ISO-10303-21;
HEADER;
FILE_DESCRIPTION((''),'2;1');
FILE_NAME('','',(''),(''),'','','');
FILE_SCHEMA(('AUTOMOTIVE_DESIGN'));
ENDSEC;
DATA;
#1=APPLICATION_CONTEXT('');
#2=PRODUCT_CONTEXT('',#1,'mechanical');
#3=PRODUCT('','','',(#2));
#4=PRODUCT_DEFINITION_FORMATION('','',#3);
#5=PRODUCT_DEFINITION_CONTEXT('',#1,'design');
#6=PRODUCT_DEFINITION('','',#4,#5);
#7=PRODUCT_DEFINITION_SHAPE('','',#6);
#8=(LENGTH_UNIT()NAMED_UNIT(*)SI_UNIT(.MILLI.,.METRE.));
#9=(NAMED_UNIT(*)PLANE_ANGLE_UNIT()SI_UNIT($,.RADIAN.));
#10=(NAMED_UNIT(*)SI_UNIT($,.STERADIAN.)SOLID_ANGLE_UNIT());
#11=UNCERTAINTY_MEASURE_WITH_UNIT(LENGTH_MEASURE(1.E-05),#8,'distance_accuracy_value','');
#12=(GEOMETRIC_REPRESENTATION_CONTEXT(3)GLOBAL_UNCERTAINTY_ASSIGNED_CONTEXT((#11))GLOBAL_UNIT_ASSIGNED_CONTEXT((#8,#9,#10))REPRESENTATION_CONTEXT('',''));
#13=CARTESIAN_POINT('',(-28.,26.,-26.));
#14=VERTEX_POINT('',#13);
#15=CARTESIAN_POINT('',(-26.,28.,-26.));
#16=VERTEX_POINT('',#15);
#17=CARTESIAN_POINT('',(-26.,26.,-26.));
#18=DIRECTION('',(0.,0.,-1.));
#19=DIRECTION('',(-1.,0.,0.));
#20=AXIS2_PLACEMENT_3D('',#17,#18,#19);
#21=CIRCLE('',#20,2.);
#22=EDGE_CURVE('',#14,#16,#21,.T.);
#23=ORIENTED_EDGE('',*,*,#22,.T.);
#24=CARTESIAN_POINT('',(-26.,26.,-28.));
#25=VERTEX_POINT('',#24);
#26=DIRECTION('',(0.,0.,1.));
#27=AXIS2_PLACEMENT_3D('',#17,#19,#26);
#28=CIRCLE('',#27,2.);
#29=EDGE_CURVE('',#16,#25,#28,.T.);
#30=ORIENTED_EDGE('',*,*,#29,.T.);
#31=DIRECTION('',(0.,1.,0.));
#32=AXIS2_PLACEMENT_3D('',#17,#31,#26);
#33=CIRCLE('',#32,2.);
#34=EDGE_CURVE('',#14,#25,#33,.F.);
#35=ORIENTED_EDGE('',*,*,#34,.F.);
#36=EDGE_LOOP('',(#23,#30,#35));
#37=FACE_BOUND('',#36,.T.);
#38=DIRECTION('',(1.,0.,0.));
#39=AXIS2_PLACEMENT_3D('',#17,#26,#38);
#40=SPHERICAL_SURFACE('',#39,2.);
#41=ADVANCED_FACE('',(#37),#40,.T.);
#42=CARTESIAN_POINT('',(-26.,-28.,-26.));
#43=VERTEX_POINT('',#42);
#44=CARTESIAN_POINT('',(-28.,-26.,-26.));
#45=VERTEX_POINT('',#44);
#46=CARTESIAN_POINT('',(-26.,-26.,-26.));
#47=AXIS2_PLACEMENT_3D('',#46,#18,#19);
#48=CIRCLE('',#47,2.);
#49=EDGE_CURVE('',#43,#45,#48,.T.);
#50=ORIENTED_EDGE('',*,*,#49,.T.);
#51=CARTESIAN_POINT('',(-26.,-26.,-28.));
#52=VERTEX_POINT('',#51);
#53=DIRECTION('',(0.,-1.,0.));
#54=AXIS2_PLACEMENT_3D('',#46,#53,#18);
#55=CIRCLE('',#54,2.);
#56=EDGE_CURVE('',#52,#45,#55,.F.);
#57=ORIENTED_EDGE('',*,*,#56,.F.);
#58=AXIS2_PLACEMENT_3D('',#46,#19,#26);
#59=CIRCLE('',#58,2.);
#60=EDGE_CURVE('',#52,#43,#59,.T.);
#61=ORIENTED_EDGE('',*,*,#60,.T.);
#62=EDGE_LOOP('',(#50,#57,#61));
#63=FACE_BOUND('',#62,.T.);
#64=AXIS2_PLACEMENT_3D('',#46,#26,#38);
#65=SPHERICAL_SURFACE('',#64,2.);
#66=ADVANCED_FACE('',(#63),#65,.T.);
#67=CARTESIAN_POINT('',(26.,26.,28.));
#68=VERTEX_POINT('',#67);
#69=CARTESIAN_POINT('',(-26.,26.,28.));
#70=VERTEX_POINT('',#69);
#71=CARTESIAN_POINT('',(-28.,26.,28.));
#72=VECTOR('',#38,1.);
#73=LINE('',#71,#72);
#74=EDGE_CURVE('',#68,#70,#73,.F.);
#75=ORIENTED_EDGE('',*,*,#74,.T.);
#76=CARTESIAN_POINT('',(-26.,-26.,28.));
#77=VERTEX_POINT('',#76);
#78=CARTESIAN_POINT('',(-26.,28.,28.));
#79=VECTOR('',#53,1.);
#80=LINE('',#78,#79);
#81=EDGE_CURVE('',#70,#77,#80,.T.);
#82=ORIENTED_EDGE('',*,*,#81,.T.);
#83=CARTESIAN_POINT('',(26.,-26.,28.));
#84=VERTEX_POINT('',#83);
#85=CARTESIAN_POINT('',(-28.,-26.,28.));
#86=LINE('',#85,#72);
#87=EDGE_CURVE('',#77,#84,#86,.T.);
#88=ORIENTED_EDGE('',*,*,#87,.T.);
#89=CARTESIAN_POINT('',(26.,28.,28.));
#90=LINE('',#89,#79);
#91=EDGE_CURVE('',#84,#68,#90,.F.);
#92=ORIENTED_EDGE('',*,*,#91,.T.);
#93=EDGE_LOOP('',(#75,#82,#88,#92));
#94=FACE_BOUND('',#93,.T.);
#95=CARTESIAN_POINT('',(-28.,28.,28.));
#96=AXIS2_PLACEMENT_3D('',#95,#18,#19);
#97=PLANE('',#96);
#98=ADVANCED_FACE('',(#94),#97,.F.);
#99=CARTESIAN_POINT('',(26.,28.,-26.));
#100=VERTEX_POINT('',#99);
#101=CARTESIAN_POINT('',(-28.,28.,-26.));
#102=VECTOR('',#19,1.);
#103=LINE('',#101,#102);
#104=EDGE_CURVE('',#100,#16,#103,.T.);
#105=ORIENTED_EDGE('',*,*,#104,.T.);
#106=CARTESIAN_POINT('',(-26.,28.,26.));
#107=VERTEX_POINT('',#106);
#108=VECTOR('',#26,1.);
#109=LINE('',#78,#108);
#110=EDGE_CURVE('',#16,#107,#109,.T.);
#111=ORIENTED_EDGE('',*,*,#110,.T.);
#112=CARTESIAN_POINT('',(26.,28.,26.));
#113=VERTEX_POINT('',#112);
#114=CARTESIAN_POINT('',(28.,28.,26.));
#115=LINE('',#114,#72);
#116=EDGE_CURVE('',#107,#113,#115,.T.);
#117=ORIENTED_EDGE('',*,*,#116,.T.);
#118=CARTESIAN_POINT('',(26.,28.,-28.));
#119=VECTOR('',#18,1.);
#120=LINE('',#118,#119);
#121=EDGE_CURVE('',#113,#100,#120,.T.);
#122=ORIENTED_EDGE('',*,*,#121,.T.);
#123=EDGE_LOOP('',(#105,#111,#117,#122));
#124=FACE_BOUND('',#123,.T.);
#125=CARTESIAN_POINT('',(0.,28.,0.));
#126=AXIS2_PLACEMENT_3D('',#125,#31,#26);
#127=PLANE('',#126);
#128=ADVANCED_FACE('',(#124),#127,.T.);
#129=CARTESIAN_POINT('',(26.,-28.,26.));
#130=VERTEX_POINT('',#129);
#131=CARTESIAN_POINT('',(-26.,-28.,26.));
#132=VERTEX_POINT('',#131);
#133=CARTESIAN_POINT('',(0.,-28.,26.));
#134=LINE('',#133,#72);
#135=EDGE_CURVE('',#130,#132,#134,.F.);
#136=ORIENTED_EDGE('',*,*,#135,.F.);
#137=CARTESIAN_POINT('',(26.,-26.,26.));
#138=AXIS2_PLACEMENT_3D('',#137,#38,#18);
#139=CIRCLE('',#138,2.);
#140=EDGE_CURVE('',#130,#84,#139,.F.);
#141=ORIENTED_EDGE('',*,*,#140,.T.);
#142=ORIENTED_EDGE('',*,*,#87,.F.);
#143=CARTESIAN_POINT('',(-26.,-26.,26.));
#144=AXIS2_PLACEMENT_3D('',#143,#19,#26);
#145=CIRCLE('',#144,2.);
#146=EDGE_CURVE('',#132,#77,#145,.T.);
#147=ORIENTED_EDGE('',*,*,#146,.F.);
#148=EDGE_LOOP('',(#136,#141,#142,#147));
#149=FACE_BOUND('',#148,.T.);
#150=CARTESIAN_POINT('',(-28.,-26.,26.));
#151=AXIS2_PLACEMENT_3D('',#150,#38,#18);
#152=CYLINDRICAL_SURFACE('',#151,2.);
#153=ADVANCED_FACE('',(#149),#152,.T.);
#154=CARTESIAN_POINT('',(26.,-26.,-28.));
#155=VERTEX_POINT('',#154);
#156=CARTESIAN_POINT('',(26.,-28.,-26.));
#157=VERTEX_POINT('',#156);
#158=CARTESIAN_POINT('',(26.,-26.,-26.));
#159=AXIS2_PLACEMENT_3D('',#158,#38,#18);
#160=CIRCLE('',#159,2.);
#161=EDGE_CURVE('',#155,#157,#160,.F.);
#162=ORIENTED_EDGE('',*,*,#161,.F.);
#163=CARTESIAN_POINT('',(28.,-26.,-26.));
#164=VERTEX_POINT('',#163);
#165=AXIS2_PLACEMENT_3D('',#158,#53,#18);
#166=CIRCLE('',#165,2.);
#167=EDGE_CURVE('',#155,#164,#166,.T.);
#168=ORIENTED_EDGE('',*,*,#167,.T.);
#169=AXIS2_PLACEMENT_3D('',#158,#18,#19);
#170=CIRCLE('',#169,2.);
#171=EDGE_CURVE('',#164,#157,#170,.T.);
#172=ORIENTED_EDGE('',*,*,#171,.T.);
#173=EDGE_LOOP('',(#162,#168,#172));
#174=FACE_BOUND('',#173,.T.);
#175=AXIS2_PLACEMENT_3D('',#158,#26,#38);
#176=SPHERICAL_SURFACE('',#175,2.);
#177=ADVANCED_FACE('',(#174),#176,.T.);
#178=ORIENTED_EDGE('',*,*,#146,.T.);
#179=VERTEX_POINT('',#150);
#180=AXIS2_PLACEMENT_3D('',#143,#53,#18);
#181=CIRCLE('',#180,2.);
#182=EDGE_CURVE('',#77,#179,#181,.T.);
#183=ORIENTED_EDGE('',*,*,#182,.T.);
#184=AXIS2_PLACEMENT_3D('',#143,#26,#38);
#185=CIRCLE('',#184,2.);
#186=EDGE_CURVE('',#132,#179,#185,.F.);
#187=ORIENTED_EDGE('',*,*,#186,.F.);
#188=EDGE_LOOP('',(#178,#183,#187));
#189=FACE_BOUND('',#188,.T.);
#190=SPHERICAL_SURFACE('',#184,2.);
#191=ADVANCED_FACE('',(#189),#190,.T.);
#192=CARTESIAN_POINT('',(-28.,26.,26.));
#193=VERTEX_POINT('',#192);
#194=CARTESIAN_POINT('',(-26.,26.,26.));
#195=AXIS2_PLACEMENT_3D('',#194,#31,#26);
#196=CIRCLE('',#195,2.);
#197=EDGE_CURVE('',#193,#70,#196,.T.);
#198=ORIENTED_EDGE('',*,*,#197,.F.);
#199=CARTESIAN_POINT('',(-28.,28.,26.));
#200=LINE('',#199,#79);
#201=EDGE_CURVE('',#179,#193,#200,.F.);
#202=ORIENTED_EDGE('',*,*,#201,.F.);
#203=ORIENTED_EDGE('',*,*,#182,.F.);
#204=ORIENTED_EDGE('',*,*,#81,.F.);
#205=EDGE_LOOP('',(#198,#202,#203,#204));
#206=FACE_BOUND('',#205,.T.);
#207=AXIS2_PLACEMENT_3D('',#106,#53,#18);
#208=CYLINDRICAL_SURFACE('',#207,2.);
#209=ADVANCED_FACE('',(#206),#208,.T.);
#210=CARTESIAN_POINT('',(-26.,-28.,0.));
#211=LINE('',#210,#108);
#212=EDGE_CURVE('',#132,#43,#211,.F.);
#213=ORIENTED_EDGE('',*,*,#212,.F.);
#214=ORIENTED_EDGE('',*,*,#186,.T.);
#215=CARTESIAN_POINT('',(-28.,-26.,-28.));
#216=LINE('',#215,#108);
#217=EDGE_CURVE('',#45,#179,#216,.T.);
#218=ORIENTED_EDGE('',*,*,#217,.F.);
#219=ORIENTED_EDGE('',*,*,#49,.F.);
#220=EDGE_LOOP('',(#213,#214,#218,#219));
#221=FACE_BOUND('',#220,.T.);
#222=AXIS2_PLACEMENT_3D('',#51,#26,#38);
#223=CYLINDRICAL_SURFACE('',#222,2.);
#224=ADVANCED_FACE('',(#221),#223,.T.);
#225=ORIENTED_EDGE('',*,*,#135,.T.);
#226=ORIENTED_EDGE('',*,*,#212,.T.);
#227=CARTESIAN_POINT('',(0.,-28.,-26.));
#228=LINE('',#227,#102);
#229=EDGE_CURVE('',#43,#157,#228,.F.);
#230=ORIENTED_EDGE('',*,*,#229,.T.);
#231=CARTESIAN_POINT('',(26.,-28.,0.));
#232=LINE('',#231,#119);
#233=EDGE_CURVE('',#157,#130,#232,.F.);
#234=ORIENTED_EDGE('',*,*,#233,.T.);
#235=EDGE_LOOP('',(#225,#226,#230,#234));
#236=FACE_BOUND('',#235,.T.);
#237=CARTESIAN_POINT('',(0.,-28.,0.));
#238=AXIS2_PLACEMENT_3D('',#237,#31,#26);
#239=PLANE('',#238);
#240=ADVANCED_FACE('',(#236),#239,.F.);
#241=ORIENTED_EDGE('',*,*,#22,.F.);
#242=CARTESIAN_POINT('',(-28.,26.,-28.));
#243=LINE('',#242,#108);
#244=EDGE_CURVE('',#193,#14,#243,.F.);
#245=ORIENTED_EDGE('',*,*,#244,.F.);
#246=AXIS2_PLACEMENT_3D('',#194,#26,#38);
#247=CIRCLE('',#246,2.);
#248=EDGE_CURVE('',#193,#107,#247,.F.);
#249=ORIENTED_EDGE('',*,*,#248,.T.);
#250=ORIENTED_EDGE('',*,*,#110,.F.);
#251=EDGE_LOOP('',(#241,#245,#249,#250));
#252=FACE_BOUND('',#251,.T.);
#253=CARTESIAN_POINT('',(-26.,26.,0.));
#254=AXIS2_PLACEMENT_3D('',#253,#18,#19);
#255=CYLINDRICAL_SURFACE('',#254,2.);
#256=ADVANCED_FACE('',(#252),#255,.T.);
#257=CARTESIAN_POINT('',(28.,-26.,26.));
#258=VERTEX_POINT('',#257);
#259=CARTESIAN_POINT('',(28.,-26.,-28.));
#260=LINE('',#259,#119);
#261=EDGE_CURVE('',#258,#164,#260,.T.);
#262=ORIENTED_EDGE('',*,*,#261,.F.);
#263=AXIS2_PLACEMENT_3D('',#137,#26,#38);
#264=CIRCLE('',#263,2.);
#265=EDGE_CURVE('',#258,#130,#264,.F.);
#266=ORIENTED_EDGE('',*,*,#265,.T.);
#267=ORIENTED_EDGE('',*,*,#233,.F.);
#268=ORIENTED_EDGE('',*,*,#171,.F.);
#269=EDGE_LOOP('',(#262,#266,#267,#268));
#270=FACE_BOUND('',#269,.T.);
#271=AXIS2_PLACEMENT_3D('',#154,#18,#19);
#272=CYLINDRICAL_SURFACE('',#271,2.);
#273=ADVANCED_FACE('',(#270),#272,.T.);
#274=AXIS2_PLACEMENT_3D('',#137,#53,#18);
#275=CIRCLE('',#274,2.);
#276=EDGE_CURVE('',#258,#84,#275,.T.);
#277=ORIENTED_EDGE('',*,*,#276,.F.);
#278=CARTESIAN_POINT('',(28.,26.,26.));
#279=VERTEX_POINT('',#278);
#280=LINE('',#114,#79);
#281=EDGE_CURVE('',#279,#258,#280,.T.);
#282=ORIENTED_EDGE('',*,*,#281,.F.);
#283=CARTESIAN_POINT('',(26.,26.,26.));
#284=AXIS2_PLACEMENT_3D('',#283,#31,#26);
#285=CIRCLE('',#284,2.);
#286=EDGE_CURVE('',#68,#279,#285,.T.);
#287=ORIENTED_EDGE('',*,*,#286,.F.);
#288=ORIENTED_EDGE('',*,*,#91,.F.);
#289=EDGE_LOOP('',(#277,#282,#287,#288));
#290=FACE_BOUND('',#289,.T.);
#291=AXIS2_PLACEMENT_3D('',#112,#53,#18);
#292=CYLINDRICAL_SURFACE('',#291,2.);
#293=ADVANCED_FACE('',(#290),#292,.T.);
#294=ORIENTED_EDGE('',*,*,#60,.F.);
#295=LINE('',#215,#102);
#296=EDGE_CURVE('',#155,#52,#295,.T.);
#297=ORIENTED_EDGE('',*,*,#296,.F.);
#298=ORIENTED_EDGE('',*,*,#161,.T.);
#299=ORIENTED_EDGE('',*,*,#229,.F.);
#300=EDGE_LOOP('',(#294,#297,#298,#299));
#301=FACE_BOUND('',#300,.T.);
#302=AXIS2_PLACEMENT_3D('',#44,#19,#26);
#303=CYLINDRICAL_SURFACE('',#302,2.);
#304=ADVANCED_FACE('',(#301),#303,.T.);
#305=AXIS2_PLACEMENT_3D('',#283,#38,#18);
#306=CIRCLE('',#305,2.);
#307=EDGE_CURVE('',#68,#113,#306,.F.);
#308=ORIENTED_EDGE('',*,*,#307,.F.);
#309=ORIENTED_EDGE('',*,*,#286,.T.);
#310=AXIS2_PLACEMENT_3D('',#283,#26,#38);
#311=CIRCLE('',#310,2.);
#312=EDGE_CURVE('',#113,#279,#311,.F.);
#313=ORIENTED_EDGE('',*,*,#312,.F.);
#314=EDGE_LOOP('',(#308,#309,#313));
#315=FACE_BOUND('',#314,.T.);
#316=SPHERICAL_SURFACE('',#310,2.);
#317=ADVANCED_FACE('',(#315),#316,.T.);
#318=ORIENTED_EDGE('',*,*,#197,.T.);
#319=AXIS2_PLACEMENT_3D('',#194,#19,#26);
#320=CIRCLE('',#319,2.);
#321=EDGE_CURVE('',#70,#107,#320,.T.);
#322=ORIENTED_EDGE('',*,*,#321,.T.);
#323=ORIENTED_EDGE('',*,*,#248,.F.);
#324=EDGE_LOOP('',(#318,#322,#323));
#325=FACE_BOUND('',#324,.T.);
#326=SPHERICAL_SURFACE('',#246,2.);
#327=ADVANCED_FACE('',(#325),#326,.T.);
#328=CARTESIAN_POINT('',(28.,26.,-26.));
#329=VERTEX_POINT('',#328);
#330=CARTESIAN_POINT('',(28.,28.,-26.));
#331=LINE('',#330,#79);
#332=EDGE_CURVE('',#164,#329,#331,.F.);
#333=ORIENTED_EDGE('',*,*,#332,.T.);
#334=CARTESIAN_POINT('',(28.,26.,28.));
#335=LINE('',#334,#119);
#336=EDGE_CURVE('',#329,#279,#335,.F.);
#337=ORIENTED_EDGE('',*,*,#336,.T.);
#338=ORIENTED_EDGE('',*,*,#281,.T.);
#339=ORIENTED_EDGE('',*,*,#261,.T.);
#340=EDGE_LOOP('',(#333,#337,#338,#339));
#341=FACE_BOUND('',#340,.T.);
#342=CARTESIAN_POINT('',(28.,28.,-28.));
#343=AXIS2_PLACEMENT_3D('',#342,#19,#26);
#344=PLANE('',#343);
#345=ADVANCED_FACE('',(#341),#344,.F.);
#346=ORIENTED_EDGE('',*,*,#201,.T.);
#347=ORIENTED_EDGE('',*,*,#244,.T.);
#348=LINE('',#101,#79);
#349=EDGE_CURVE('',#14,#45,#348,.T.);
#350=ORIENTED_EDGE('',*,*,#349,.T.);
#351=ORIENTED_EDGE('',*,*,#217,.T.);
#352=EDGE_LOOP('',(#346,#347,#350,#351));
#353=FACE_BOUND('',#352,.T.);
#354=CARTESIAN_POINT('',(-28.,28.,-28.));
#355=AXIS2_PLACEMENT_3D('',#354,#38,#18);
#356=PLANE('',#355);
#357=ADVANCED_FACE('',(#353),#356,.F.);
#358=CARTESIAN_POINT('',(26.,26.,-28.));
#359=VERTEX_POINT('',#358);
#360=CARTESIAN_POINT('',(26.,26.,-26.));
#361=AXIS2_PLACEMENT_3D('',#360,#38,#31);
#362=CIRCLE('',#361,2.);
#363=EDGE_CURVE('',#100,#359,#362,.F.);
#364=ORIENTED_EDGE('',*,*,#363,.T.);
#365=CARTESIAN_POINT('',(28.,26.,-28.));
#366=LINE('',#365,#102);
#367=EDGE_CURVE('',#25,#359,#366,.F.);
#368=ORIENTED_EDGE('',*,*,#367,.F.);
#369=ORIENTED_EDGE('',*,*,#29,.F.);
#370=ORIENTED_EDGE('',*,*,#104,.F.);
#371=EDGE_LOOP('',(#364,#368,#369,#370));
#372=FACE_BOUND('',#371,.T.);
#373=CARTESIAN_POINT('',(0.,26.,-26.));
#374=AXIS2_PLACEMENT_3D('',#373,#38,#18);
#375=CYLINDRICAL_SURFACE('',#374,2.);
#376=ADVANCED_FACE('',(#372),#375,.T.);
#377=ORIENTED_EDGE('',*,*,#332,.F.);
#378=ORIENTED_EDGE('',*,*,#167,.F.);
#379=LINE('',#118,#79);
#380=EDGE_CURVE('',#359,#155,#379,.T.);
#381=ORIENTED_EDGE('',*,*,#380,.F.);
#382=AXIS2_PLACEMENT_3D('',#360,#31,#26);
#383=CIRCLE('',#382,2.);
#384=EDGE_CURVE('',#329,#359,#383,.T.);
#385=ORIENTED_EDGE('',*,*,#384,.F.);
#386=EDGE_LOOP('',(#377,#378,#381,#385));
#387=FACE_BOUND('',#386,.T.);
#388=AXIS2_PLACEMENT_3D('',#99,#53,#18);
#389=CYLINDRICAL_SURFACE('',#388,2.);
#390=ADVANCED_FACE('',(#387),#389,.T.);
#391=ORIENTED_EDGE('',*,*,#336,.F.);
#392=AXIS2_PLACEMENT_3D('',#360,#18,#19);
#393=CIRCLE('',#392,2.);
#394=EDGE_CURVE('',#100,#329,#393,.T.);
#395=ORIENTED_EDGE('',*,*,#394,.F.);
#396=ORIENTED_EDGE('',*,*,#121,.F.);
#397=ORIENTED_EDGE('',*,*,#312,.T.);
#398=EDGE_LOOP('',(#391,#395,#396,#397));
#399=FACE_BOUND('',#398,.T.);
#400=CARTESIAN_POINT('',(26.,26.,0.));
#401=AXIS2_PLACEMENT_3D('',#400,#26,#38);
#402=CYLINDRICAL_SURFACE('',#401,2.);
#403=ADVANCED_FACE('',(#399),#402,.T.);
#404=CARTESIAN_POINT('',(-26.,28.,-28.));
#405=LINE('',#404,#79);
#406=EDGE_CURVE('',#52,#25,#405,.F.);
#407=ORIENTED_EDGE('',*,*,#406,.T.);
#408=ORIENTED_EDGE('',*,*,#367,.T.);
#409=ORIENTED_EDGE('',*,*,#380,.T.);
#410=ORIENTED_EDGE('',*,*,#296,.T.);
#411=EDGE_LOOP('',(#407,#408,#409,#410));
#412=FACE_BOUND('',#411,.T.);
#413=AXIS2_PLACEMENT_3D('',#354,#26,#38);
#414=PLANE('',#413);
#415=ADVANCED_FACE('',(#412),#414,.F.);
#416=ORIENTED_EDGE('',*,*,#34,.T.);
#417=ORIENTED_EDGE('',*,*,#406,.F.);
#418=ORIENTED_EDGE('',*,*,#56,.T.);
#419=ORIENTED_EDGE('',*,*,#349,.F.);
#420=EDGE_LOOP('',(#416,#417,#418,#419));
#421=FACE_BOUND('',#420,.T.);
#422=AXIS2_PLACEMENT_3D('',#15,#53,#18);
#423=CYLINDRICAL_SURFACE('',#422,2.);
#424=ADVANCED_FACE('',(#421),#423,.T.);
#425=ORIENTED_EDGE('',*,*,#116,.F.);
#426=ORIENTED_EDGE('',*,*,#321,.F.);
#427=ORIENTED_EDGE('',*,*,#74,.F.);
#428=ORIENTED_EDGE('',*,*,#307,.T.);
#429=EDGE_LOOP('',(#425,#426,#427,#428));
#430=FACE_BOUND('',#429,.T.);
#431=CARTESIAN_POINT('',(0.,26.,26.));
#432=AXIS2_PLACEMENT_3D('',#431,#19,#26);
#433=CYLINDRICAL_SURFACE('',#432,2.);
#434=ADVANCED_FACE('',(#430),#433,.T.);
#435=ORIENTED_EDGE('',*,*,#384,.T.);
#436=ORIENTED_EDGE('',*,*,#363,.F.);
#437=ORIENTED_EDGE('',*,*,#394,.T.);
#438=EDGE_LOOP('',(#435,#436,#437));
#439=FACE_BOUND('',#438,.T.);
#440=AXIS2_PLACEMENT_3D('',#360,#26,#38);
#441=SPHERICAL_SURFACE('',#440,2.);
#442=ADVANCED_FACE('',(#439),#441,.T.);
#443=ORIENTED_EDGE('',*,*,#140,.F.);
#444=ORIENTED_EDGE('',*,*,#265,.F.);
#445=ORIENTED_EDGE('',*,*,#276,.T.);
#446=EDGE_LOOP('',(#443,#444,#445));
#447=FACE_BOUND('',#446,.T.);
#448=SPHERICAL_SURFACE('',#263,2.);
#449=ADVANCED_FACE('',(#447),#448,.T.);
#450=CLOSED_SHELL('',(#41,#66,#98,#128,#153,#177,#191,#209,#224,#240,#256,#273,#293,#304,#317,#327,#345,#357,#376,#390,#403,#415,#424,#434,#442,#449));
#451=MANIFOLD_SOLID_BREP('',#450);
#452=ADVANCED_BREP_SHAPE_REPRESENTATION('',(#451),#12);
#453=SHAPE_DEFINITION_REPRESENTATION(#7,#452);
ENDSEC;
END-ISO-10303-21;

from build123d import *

# Parameters (mm, degrees)
SKETCH1_W           = 56
SKETCH1_H           = 56
BOSS_EXTRUDE1_DEPTH = 28
FILLET1_R           = 2


with BuildPart() as part:
    # Sketch1 → Boss-Extrude1 (new, symmetric)
    with BuildSketch(Plane(origin=(0, 0, 0), x_dir=(1, 0, 0), z_dir=(0, 1, 0))):
        Rectangle(SKETCH1_W, SKETCH1_H)
    extrude(amount=BOSS_EXTRUDE1_DEPTH, both=True)

    # Fillet1
    fillet1_edges = [part.edges().sort_by_distance(p)[0] for p in [
        (-28, 28, 0),
        (0, 28, 28),
        (28, 28, 0),
        (0, -28, 28),
        (-28, -28, 0),
        (0, -28, -28),
        (28, -28, 0),
        (28, 0, 28),
        (-28, 0, 28),
        (-28, 0, -28),
        (28, 0, -28),
        (0, 28, -28),
    ]]
    fillet(fillet1_edges, radius=FILLET1_R)


solid = part.part
